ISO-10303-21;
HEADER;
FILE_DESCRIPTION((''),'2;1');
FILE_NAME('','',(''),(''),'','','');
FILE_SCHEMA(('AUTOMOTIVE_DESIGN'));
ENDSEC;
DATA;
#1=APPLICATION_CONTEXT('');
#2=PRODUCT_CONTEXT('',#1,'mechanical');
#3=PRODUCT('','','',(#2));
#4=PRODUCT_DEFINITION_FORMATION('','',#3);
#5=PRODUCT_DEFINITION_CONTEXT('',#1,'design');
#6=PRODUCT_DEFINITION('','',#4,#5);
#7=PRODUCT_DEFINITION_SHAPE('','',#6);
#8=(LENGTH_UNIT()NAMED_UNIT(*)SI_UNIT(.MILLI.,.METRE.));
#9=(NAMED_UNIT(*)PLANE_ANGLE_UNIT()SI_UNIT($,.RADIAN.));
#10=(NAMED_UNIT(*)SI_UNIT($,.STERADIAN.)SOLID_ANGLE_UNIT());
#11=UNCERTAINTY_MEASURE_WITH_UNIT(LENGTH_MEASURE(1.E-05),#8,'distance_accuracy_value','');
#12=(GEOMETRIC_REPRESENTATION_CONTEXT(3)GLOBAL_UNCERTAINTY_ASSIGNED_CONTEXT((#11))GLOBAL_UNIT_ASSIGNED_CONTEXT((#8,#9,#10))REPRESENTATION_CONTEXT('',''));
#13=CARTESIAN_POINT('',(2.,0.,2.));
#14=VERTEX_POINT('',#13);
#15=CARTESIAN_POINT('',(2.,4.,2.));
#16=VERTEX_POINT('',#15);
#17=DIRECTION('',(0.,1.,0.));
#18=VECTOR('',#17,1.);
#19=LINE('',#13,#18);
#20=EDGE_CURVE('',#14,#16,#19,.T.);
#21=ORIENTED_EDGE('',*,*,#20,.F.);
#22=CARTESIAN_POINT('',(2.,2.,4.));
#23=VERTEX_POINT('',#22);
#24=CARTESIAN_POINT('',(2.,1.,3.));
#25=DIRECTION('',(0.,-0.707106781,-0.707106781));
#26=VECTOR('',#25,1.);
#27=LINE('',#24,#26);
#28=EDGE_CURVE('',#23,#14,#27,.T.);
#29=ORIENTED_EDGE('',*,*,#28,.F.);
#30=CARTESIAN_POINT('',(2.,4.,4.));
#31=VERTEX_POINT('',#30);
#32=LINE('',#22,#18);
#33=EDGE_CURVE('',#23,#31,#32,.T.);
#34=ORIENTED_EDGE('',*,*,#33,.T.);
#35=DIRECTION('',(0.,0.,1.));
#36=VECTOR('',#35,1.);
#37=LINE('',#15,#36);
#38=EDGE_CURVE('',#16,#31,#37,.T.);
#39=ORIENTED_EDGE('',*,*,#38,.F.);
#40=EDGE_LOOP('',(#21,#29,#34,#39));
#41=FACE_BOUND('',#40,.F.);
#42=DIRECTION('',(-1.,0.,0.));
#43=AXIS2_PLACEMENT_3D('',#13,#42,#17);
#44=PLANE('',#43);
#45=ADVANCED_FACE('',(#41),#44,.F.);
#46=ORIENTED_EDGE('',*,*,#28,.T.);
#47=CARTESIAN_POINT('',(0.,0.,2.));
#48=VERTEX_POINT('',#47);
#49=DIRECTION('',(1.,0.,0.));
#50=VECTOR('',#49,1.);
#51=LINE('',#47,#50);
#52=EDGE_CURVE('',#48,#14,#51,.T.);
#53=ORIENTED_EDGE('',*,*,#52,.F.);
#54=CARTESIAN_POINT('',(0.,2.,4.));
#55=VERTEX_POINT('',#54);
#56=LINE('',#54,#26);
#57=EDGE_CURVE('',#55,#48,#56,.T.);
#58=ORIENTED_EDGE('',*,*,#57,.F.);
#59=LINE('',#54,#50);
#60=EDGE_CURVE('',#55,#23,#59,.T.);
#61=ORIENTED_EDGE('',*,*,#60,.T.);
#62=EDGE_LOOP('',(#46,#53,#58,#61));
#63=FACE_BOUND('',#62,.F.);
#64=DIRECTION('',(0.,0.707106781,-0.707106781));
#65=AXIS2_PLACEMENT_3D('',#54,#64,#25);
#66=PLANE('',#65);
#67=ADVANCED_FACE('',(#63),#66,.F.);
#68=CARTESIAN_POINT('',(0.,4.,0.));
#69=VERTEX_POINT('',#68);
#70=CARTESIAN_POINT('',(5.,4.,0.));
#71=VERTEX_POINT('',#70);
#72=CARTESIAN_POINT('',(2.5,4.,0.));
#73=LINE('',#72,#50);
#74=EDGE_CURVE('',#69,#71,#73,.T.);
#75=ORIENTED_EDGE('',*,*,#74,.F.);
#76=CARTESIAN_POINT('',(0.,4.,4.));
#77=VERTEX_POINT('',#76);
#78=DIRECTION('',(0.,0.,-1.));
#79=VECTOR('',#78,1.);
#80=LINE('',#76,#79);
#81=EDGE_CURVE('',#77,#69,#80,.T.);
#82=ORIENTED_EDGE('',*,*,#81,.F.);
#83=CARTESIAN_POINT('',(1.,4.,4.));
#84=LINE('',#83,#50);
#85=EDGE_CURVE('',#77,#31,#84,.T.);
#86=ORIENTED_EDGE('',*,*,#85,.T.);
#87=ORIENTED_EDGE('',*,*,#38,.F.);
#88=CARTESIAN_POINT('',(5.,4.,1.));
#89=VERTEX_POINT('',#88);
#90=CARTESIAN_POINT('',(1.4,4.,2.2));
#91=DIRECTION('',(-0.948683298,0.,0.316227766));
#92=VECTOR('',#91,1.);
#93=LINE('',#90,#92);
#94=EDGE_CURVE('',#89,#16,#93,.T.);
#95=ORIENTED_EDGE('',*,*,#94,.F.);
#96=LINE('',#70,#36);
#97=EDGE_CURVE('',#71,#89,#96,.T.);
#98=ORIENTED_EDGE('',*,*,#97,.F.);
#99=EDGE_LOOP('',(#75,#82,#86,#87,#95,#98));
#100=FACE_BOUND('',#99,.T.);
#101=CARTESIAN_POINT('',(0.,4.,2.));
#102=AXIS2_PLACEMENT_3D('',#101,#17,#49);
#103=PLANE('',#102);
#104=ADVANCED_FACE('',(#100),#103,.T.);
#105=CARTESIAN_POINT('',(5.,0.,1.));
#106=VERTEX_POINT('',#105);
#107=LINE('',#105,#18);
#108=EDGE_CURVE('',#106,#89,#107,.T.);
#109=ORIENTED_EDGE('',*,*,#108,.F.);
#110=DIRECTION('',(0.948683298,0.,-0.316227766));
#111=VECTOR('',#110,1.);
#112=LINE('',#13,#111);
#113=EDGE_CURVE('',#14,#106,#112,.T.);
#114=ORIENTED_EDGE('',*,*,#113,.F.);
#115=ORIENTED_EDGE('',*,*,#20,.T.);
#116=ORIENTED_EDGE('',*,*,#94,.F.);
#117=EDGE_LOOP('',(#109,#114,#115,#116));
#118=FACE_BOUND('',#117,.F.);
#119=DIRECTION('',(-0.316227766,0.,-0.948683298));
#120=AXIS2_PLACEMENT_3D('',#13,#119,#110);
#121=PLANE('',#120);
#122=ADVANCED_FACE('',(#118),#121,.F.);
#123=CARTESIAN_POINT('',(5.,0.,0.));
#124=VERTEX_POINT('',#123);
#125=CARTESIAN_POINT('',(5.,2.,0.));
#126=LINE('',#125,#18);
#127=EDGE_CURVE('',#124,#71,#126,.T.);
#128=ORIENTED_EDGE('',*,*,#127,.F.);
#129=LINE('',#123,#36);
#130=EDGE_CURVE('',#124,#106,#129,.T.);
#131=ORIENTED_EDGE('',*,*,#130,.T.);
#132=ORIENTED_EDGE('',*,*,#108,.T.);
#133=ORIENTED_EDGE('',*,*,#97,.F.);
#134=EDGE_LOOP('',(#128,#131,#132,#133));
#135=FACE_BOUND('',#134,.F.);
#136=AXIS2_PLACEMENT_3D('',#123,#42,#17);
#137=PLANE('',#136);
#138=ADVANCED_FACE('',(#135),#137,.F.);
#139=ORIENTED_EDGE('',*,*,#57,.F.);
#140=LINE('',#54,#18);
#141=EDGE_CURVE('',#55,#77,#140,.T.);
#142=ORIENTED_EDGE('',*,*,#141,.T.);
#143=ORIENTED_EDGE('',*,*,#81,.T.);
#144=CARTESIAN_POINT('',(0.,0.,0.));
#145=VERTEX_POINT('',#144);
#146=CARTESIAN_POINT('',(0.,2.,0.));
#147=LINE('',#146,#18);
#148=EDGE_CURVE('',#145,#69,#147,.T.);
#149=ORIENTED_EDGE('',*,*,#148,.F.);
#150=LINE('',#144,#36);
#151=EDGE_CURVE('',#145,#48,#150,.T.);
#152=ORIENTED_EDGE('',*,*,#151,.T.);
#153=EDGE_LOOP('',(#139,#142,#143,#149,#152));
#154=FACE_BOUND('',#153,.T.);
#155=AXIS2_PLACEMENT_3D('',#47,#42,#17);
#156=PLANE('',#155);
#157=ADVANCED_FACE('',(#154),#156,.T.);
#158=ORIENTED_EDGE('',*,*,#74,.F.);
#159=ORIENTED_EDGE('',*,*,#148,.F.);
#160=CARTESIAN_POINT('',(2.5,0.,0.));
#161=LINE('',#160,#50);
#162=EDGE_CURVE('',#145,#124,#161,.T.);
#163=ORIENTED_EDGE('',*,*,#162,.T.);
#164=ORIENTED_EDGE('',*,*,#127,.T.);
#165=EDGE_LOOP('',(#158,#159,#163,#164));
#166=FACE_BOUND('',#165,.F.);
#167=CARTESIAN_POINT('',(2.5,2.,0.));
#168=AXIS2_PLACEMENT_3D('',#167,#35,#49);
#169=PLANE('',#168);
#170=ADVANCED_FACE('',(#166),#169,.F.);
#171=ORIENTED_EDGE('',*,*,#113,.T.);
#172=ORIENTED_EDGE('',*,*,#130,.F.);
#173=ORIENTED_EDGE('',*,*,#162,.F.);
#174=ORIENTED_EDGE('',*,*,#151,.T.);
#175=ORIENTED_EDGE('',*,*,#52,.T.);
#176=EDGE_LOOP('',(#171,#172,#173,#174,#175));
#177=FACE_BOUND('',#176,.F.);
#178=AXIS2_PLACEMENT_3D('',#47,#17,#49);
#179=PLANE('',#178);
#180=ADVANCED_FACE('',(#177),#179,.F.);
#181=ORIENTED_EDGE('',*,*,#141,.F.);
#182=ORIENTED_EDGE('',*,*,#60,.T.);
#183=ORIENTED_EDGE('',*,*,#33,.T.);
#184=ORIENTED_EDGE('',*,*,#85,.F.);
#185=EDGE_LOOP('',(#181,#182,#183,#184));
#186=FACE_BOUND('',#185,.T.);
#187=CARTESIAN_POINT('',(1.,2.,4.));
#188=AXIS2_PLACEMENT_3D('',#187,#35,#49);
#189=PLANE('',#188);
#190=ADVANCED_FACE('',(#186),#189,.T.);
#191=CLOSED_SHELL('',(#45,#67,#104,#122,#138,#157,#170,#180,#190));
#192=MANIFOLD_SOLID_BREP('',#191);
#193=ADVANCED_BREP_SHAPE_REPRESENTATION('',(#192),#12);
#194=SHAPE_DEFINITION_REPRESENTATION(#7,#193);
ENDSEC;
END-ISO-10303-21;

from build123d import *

# Parameters (mm, degrees)
F0_W     = 5
F0_H     = 4
F1_DEPTH = 2
F3_DEPTH = 25
F4_W     = 2
F4_H     = 4
F5_DEPTH = 2
F7_DEPTH = 25


with BuildPart() as f1:
    # F0 (on Top) → F1 (new body)
    with BuildSketch(Plane.XY):
        with Locations((2.5, 2)):
            Rectangle(F0_W, F0_H)
    extrude(amount=F1_DEPTH)

    # F2 (on face) → F3 (cut)
    with BuildSketch(Plane.XZ):
        Polygon((5, 1), (5, 2), (2, 2), align=None)
    extrude(amount=-F3_DEPTH, mode=Mode.SUBTRACT)

    # F4 (on face) → F5 (join)
    with BuildSketch(Plane.XY.offset(2)):
        with Locations((1, 2)):
            Rectangle(F4_W, F4_H)
    extrude(amount=F5_DEPTH)

    # F6 (on face) → F7 (cut)
    with BuildSketch(Plane(origin=(0, 0, 0), x_dir=(0, -1, 0), z_dir=(-1, 0, 0))):
        Polygon((0, 4), (-2, 4), (0, 2), align=None)
    extrude(amount=-F7_DEPTH, mode=Mode.SUBTRACT)


solid = f1.part
